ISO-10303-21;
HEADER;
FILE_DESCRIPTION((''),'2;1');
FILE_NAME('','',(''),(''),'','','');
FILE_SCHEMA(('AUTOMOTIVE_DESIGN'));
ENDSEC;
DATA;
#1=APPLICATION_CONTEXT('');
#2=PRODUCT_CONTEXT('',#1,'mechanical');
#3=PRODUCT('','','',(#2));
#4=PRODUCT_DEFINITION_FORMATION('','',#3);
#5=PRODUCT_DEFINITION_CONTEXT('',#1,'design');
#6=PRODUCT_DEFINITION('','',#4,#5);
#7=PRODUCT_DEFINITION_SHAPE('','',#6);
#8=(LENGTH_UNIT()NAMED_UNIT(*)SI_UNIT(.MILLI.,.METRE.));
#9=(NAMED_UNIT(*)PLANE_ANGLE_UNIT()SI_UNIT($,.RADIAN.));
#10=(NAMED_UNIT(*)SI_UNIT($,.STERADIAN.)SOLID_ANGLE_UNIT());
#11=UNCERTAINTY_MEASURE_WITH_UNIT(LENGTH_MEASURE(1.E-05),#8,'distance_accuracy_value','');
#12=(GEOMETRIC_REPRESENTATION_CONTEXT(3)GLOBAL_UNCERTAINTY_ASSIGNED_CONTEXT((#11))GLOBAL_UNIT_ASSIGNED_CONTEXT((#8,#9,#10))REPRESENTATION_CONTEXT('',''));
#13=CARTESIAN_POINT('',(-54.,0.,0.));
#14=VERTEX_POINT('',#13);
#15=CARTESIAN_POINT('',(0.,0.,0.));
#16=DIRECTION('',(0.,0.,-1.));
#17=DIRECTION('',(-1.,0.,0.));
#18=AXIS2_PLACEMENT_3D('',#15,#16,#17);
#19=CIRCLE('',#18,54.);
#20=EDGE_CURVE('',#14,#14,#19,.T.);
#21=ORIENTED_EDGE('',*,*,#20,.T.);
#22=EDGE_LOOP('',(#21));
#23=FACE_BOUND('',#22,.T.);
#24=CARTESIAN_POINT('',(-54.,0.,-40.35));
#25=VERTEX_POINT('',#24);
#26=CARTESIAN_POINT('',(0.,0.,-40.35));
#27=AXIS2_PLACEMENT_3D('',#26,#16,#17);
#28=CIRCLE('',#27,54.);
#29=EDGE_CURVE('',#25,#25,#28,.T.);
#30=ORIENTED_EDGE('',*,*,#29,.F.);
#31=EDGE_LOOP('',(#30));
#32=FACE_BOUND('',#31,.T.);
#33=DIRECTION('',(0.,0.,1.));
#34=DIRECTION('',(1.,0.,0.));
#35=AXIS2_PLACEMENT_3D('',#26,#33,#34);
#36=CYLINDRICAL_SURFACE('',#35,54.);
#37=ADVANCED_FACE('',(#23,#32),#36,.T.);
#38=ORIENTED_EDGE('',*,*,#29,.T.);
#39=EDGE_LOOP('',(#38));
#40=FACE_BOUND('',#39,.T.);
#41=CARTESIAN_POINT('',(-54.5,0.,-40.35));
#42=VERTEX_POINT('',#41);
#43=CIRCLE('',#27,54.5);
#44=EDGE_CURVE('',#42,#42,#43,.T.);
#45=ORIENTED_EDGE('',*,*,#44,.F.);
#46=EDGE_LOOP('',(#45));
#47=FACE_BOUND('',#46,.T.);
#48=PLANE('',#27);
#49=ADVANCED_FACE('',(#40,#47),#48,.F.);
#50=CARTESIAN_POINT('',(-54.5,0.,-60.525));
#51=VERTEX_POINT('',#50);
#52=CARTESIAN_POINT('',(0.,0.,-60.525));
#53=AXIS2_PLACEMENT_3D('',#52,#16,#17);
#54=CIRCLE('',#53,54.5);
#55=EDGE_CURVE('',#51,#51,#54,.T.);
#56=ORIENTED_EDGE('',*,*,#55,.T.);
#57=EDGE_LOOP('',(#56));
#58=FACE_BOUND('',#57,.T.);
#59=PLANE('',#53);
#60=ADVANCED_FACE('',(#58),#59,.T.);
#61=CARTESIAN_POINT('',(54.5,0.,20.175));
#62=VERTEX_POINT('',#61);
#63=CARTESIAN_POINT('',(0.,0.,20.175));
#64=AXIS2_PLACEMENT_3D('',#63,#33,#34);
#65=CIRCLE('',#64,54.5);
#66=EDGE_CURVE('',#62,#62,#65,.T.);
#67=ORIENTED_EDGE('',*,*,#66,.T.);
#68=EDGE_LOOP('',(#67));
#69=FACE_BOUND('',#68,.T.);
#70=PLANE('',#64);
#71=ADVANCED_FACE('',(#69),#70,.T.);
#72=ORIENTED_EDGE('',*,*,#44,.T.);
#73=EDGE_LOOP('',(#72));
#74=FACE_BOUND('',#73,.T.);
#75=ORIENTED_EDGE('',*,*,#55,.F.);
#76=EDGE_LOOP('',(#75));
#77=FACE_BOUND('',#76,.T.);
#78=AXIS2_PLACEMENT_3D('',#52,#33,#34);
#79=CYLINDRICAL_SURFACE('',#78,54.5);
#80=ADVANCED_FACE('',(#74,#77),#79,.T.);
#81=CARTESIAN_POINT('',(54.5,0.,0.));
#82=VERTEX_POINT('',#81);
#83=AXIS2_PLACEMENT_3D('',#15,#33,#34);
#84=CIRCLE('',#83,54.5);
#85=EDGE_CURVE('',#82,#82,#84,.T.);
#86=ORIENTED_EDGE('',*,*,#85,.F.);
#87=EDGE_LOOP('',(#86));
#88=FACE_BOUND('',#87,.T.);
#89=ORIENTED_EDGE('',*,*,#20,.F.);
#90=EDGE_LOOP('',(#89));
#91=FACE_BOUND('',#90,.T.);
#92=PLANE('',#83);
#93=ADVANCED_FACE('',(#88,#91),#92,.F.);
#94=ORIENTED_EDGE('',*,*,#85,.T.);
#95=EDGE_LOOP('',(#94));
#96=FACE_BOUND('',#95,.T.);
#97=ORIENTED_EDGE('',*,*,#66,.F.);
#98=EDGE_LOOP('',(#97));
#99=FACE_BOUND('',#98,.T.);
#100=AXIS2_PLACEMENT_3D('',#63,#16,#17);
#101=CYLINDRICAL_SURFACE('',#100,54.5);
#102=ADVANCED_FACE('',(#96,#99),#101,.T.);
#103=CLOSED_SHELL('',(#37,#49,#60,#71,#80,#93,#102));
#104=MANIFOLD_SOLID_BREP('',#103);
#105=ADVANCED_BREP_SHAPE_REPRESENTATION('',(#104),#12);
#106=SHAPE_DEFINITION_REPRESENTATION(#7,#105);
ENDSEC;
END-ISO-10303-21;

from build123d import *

# Parameters (mm, degrees)
SKETCH1_R           = 54.5
BOSS_EXTRUDE3_DEPTH = 20.175
SKETCH4_R           = 54
BOSS_EXTRUDE5_DEPTH = 40.35
BOSS_EXTRUDE6_START = 20.175
SKETCH5_R           = 54.5
BOSS_EXTRUDE6_DEPTH = 20.175


with BuildPart() as part:
    # Sketch1 → Boss-Extrude3 (new body)
    with BuildSketch(Plane.XY):
        Circle(SKETCH1_R)
    extrude(amount=BOSS_EXTRUDE3_DEPTH)

    # Sketch4 → Boss-Extrude5 (add)
    with BuildSketch(Plane(origin=(0, 0, 0), x_dir=(-1, 0, 0), z_dir=(0, 0, -1))):
        Circle(SKETCH4_R)
    extrude(amount=BOSS_EXTRUDE5_DEPTH)

    # Sketch5 → Boss-Extrude6 (add)
    with BuildSketch(Plane(origin=(0, 0, -40.35), x_dir=(-1, 0, 0), z_dir=(0, 0, -1)).offset(BOSS_EXTRUDE6_START)):
        with Locations(Location((0, 0, 0), (0, 0, 180))):
            Circle(SKETCH5_R)
    extrude(amount=-BOSS_EXTRUDE6_DEPTH)


solid = part.part
